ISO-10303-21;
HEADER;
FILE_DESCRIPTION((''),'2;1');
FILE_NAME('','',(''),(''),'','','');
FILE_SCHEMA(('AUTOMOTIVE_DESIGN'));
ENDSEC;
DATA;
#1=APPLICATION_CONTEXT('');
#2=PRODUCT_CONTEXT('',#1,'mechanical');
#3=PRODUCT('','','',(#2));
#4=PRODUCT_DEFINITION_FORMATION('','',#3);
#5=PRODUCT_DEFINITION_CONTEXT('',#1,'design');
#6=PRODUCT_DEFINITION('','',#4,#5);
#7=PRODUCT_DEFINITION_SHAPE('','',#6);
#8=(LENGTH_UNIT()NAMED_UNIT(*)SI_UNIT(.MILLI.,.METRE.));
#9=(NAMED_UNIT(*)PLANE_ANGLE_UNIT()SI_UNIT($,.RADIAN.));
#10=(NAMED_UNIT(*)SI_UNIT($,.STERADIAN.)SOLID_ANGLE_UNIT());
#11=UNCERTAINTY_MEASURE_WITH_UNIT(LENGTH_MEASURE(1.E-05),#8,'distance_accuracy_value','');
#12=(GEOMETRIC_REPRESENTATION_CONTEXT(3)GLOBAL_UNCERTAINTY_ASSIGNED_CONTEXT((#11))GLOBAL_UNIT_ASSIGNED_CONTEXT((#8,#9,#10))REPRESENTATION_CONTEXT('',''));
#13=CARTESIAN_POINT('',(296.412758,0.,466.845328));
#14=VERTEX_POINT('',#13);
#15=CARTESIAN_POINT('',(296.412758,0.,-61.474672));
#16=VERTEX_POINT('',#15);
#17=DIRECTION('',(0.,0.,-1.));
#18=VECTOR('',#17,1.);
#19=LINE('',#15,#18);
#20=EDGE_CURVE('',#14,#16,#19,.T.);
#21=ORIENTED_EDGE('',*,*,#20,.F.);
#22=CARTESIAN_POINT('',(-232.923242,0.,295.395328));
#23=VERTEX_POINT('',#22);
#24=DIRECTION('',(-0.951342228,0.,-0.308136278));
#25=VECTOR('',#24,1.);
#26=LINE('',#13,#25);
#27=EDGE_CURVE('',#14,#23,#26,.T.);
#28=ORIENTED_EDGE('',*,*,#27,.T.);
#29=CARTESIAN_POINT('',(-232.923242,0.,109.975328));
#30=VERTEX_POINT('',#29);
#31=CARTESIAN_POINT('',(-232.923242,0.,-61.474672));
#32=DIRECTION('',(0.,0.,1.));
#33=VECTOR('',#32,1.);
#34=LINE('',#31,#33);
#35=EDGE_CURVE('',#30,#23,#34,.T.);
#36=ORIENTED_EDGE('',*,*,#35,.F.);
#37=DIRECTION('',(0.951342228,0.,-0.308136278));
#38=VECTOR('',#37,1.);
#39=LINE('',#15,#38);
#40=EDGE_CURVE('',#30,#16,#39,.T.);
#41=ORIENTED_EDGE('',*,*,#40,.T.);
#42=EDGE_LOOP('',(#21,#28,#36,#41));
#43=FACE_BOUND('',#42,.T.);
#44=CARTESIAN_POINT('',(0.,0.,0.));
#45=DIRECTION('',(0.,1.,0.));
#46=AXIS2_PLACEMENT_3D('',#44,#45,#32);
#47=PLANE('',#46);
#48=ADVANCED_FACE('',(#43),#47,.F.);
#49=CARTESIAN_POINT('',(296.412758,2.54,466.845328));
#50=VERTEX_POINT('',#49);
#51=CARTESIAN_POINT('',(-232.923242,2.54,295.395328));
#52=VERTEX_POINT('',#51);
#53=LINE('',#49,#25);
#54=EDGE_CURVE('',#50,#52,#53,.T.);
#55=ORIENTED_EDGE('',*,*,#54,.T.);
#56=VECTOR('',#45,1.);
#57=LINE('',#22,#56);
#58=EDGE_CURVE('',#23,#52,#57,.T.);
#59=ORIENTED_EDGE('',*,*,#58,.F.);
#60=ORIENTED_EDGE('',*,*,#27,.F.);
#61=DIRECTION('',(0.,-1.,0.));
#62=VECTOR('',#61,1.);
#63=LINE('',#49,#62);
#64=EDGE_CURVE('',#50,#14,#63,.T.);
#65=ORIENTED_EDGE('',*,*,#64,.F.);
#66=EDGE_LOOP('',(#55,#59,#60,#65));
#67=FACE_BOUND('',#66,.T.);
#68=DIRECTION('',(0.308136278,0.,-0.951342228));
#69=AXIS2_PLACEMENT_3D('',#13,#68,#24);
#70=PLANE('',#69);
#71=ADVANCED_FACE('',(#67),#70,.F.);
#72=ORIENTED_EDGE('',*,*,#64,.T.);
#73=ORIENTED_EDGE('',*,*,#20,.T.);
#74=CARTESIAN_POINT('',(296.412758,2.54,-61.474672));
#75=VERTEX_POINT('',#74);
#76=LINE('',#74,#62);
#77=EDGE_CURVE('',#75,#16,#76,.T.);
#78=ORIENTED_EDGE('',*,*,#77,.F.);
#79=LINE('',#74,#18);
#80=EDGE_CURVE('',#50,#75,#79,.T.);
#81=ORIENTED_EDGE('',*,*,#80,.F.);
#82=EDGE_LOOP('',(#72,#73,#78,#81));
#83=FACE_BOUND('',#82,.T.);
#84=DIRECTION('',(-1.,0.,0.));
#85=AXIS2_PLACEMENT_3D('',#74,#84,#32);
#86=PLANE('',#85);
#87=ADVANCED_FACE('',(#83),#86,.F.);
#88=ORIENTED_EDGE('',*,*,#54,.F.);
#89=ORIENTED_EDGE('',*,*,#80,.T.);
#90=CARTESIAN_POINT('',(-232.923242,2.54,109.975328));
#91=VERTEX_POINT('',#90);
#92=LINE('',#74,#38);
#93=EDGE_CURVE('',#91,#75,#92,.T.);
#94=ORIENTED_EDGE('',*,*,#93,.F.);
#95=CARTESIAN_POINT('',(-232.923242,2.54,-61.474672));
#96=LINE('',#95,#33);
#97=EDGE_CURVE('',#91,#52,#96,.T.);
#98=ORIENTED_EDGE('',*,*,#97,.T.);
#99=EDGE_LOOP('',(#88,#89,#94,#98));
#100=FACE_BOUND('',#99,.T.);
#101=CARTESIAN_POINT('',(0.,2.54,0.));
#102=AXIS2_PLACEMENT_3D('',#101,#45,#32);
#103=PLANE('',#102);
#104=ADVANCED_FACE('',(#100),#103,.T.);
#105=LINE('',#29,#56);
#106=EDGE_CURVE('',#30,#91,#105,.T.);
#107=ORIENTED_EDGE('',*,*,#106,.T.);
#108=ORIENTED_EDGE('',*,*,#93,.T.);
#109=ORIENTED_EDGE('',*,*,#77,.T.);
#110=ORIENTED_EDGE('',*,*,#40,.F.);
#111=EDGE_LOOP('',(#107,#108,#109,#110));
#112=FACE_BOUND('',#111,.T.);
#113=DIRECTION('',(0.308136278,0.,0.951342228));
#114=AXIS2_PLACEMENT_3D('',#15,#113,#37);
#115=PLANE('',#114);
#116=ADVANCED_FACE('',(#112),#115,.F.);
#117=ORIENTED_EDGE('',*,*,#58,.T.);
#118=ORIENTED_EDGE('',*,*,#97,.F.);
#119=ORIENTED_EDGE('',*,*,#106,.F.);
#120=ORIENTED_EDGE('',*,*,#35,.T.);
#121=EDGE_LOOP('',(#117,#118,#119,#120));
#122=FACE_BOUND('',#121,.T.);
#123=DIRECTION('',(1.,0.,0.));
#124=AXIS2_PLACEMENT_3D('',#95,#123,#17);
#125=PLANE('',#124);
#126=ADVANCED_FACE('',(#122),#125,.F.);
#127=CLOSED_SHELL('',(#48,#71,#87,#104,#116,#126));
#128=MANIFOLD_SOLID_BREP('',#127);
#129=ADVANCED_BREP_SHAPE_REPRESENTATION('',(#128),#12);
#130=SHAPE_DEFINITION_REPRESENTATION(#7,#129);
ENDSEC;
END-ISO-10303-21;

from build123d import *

# Parameters (mm, degrees)
SKETCH1_W           = 529.336
SKETCH1_H           = 528.32
BOSS_EXTRUDE1_DEPTH = 2.54
CUT_EXTRUDE1_DEPTH  = 2.54


with BuildPart() as part:
    # Sketch1 → Boss-Extrude1 (new body)
    with BuildSketch(Plane(origin=(0, 0, 0), x_dir=(1, 0, 0), z_dir=(0, 1, 0))):
        with Locations((31.744757974, -202.68532833)):
            Rectangle(SKETCH1_W, SKETCH1_H)
    extrude(amount=BOSS_EXTRUDE1_DEPTH)

    # Sketch2 → Cut-Extrude1 (cut)
    with BuildSketch(Plane(origin=(0, 2.54, 0), x_dir=(1, 0, 0), z_dir=(0, 1, 0))):
        Polygon((296.412757974, -466.84532833), (-232.923242026, -295.39532833), (-232.923242026, -466.84532833), align=None)
        Polygon((296.412757974, 61.47467167), (-232.923242026, -109.97532833), (-232.923242026, 61.47467167), align=None)
    extrude(amount=-CUT_EXTRUDE1_DEPTH, mode=Mode.SUBTRACT)


solid = part.part
